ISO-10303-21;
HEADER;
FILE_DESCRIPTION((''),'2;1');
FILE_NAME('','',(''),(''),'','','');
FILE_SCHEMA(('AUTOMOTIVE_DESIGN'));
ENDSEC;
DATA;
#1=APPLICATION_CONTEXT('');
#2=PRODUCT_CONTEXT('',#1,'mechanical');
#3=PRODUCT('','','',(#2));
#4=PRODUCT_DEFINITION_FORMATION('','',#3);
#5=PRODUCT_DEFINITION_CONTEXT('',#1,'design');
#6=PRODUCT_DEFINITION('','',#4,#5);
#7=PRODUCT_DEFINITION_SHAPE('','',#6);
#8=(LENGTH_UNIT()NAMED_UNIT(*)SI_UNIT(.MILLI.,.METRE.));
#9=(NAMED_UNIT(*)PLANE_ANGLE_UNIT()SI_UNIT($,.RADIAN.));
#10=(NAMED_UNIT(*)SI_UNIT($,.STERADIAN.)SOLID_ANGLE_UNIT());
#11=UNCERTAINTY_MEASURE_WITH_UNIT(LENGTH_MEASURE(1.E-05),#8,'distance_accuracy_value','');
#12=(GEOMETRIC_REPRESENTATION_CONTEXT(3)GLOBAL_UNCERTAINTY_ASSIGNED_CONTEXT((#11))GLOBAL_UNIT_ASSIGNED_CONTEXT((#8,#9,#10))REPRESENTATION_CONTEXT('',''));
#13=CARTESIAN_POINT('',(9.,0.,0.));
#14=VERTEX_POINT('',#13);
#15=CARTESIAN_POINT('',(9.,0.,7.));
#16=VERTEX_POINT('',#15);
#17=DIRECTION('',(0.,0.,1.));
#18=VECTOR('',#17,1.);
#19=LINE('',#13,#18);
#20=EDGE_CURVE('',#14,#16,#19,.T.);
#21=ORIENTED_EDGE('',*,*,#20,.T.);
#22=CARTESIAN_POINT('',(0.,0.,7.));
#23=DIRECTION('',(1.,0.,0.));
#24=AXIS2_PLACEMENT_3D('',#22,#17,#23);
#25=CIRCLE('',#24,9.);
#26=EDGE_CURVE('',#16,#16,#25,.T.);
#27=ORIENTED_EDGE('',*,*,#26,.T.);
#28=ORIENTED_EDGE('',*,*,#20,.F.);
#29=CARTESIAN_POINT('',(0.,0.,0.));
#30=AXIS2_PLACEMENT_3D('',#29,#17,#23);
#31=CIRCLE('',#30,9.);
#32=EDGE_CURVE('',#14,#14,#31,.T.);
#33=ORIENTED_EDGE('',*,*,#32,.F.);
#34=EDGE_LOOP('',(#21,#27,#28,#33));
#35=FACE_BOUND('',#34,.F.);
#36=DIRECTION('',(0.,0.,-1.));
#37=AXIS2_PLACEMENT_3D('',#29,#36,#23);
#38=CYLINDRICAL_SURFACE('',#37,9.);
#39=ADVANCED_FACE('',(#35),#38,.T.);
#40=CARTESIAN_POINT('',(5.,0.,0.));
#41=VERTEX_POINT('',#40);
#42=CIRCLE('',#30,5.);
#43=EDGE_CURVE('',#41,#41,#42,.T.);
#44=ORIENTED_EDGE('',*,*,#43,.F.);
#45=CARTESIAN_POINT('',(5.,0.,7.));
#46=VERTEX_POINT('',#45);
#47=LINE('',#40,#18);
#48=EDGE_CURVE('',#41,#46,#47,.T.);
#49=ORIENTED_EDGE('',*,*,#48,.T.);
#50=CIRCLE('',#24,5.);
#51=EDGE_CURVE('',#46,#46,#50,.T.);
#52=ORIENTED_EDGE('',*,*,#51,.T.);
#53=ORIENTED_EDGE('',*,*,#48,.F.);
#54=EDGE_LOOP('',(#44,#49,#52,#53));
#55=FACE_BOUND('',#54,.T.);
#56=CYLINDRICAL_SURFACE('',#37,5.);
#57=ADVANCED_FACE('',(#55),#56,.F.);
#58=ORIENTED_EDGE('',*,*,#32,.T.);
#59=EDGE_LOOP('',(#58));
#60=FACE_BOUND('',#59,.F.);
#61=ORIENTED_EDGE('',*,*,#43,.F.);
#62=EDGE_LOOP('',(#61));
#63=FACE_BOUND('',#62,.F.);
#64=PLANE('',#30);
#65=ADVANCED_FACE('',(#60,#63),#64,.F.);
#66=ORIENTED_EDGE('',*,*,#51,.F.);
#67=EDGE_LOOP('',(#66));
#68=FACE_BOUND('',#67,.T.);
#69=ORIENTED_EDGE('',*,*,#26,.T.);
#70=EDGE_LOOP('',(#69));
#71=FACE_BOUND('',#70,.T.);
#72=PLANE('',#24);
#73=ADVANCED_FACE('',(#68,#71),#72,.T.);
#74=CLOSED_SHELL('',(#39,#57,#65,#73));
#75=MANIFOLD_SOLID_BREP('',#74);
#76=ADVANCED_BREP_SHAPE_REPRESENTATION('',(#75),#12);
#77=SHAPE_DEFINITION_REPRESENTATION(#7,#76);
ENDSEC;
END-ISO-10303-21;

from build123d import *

# Parameters (mm, degrees)
SKETCH_R   = 9
SKETCH_R_2 = 5
PAD_DEPTH  = 7


with BuildPart() as part:
    # Sketch → Pad (new body)
    with BuildSketch(Plane.XY):
        Circle(SKETCH_R)
        Circle(SKETCH_R_2, mode=Mode.SUBTRACT)
    extrude(amount=PAD_DEPTH)


solid = part.part
